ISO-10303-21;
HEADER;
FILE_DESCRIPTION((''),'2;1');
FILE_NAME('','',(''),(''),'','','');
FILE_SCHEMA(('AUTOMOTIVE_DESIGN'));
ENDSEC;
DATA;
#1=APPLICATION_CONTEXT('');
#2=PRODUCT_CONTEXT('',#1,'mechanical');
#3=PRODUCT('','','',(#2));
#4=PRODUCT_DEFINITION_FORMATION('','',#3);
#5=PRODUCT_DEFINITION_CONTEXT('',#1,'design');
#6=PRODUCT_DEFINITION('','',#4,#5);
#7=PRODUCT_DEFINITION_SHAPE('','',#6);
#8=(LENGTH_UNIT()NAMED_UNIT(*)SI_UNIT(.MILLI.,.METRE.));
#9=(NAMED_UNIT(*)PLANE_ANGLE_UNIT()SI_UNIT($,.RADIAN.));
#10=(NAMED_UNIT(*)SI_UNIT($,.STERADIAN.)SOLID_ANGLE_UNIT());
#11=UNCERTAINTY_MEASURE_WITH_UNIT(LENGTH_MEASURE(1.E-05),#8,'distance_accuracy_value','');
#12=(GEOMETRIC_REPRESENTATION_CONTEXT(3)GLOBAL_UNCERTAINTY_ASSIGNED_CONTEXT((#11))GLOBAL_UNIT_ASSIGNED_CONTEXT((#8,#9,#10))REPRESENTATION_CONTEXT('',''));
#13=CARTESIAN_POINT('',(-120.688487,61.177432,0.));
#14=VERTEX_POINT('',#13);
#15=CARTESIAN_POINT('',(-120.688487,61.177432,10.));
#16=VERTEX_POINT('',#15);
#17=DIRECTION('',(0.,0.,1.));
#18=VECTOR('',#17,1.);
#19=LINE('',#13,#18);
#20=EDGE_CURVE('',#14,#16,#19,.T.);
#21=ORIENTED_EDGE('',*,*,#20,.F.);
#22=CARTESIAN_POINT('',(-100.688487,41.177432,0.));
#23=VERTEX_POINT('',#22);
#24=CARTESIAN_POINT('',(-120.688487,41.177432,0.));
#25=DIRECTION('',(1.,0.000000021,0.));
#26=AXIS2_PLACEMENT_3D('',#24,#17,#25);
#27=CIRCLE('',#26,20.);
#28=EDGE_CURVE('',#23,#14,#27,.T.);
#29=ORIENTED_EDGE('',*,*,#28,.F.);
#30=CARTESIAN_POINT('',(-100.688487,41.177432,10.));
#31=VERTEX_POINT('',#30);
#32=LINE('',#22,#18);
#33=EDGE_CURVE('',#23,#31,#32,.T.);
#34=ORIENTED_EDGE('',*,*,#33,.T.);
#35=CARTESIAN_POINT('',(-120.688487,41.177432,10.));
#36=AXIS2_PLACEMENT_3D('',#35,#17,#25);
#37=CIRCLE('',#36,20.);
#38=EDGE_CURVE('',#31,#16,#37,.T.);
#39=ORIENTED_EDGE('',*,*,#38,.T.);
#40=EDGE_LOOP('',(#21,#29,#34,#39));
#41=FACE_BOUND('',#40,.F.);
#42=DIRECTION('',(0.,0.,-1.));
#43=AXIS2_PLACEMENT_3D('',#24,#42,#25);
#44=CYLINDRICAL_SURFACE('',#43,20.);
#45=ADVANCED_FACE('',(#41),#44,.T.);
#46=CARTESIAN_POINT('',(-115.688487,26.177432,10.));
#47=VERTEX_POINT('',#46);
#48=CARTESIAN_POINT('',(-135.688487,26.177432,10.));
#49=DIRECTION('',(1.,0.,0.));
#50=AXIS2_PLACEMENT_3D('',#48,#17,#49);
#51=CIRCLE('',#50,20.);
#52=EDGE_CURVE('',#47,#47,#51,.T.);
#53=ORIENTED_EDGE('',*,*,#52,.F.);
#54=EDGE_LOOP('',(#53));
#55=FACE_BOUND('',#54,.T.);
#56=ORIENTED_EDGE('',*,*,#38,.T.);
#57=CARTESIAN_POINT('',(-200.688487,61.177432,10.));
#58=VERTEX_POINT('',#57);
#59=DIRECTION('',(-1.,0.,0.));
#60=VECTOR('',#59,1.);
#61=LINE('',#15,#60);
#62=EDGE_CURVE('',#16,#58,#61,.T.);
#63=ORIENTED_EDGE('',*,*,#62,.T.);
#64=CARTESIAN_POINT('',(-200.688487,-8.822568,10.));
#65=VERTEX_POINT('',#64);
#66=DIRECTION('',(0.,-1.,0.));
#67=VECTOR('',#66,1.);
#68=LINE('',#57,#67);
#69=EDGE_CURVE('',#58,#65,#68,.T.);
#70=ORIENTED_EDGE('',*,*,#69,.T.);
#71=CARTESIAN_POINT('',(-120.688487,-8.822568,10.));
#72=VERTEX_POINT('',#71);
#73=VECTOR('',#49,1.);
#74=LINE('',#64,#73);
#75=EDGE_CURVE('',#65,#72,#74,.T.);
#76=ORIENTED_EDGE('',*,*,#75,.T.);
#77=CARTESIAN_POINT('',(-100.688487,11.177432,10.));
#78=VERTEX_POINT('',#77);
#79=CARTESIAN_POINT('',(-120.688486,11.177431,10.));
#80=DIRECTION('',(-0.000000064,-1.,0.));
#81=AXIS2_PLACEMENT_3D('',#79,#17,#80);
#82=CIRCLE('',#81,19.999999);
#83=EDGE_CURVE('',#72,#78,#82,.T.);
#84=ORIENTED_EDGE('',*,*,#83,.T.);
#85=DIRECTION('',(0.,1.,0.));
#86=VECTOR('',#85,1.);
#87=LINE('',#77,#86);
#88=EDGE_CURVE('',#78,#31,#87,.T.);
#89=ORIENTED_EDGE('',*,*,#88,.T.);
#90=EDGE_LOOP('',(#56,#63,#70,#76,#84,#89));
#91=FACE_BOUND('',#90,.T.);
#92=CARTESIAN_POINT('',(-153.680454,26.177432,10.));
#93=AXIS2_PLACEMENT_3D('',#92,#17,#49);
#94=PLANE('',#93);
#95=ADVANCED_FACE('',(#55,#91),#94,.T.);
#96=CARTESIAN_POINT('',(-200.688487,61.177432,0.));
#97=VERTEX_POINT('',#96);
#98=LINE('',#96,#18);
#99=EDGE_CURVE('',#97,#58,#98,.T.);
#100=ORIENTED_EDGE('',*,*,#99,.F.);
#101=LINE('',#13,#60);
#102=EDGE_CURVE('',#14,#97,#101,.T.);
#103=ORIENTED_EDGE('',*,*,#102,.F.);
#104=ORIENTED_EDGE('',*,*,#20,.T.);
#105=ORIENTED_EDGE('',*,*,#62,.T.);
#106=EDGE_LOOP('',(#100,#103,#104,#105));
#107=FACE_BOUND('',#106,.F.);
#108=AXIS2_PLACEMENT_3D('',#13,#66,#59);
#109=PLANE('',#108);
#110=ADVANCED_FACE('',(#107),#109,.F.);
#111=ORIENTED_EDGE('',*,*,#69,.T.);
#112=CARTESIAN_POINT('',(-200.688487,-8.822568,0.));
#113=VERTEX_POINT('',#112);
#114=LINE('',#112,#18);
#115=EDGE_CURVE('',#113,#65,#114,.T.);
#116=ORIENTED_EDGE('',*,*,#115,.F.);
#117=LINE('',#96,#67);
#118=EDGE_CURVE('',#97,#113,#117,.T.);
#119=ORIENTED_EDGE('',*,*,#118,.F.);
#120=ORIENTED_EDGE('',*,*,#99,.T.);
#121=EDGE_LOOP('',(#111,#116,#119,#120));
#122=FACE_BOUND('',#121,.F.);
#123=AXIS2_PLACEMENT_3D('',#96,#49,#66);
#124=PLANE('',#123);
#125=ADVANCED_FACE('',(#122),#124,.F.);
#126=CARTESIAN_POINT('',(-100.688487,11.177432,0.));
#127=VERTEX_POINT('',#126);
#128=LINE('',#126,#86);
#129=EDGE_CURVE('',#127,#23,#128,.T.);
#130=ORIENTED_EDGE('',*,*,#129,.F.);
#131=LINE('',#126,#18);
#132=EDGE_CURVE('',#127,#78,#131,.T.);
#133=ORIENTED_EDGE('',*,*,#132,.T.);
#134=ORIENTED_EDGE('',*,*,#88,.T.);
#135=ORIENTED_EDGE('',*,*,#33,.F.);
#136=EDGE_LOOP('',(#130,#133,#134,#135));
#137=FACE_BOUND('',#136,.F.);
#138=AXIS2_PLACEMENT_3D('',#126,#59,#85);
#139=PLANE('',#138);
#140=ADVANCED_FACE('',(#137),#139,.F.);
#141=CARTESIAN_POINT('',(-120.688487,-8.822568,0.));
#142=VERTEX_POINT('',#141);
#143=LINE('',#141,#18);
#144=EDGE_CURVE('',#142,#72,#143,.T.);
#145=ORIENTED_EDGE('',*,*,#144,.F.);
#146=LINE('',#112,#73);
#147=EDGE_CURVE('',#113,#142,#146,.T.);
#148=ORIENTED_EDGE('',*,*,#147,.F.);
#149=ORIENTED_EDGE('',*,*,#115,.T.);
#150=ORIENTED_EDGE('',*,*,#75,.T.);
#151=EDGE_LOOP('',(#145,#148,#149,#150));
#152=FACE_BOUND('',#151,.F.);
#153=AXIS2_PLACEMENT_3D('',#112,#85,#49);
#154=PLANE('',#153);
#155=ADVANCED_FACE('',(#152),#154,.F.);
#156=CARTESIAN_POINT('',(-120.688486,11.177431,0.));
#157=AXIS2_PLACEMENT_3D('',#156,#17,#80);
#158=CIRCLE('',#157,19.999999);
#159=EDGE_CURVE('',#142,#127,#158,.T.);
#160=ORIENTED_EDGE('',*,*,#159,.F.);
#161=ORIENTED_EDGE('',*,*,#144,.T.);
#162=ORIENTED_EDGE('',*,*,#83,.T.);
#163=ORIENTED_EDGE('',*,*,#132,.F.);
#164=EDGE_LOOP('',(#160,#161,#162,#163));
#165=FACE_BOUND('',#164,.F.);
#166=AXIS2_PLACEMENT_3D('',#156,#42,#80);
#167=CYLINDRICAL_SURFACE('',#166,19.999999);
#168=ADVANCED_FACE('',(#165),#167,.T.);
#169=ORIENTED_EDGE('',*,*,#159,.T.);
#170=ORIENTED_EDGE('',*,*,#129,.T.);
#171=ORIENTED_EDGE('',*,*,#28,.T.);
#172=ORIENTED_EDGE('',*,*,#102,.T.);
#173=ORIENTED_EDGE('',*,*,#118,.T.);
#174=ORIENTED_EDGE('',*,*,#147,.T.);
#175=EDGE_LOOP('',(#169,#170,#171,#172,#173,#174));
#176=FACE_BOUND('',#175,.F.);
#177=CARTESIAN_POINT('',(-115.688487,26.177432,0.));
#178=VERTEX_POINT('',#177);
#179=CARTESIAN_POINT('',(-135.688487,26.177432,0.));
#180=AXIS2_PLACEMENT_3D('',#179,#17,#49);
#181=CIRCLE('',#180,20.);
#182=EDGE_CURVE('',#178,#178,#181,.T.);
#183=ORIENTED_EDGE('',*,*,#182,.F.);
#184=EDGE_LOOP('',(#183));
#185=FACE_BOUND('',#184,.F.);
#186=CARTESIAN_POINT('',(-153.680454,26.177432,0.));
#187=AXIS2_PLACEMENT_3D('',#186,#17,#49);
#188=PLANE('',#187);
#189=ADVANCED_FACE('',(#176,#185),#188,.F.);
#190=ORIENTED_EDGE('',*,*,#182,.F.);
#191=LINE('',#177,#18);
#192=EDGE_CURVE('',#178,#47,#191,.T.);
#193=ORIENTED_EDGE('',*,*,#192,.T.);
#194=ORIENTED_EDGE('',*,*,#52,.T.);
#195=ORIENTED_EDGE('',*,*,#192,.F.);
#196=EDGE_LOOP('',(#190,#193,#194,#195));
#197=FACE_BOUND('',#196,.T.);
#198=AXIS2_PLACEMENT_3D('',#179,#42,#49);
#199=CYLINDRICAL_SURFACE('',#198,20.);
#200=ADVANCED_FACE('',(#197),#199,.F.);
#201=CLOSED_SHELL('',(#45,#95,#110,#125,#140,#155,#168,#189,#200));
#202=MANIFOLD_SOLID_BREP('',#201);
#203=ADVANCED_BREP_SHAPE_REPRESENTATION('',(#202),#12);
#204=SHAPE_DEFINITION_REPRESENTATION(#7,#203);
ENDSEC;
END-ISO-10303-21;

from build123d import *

# Parameters (mm, degrees)
F0_R     = 20
F1_DEPTH = 10


with BuildPart() as f1:
    # F0 (on Top) → F1 (new body)
    with BuildSketch(Plane.XY):
        with BuildLine():
            Line((-120.688487, 61.177432), (-200.688487, 61.177432))
            Line((-200.688487, 61.177432), (-200.688487, -8.822568))
            Line((-200.688487, -8.822568), (-120.688487, -8.822568))
            ThreePointArc((-120.688487, -8.822568), (-106.546351, -2.964704), (-100.688487, 11.177432))
            Line((-100.688487, 11.177432), (-100.688487, 41.177432))
            ThreePointArc((-100.688487, 41.177432), (-106.546351, 55.319567), (-120.688487, 61.177432))
        make_face()
        with Locations((-135.688487, 26.177432)):
            Circle(F0_R, mode=Mode.SUBTRACT)
    extrude(amount=F1_DEPTH)


solid = f1.part
